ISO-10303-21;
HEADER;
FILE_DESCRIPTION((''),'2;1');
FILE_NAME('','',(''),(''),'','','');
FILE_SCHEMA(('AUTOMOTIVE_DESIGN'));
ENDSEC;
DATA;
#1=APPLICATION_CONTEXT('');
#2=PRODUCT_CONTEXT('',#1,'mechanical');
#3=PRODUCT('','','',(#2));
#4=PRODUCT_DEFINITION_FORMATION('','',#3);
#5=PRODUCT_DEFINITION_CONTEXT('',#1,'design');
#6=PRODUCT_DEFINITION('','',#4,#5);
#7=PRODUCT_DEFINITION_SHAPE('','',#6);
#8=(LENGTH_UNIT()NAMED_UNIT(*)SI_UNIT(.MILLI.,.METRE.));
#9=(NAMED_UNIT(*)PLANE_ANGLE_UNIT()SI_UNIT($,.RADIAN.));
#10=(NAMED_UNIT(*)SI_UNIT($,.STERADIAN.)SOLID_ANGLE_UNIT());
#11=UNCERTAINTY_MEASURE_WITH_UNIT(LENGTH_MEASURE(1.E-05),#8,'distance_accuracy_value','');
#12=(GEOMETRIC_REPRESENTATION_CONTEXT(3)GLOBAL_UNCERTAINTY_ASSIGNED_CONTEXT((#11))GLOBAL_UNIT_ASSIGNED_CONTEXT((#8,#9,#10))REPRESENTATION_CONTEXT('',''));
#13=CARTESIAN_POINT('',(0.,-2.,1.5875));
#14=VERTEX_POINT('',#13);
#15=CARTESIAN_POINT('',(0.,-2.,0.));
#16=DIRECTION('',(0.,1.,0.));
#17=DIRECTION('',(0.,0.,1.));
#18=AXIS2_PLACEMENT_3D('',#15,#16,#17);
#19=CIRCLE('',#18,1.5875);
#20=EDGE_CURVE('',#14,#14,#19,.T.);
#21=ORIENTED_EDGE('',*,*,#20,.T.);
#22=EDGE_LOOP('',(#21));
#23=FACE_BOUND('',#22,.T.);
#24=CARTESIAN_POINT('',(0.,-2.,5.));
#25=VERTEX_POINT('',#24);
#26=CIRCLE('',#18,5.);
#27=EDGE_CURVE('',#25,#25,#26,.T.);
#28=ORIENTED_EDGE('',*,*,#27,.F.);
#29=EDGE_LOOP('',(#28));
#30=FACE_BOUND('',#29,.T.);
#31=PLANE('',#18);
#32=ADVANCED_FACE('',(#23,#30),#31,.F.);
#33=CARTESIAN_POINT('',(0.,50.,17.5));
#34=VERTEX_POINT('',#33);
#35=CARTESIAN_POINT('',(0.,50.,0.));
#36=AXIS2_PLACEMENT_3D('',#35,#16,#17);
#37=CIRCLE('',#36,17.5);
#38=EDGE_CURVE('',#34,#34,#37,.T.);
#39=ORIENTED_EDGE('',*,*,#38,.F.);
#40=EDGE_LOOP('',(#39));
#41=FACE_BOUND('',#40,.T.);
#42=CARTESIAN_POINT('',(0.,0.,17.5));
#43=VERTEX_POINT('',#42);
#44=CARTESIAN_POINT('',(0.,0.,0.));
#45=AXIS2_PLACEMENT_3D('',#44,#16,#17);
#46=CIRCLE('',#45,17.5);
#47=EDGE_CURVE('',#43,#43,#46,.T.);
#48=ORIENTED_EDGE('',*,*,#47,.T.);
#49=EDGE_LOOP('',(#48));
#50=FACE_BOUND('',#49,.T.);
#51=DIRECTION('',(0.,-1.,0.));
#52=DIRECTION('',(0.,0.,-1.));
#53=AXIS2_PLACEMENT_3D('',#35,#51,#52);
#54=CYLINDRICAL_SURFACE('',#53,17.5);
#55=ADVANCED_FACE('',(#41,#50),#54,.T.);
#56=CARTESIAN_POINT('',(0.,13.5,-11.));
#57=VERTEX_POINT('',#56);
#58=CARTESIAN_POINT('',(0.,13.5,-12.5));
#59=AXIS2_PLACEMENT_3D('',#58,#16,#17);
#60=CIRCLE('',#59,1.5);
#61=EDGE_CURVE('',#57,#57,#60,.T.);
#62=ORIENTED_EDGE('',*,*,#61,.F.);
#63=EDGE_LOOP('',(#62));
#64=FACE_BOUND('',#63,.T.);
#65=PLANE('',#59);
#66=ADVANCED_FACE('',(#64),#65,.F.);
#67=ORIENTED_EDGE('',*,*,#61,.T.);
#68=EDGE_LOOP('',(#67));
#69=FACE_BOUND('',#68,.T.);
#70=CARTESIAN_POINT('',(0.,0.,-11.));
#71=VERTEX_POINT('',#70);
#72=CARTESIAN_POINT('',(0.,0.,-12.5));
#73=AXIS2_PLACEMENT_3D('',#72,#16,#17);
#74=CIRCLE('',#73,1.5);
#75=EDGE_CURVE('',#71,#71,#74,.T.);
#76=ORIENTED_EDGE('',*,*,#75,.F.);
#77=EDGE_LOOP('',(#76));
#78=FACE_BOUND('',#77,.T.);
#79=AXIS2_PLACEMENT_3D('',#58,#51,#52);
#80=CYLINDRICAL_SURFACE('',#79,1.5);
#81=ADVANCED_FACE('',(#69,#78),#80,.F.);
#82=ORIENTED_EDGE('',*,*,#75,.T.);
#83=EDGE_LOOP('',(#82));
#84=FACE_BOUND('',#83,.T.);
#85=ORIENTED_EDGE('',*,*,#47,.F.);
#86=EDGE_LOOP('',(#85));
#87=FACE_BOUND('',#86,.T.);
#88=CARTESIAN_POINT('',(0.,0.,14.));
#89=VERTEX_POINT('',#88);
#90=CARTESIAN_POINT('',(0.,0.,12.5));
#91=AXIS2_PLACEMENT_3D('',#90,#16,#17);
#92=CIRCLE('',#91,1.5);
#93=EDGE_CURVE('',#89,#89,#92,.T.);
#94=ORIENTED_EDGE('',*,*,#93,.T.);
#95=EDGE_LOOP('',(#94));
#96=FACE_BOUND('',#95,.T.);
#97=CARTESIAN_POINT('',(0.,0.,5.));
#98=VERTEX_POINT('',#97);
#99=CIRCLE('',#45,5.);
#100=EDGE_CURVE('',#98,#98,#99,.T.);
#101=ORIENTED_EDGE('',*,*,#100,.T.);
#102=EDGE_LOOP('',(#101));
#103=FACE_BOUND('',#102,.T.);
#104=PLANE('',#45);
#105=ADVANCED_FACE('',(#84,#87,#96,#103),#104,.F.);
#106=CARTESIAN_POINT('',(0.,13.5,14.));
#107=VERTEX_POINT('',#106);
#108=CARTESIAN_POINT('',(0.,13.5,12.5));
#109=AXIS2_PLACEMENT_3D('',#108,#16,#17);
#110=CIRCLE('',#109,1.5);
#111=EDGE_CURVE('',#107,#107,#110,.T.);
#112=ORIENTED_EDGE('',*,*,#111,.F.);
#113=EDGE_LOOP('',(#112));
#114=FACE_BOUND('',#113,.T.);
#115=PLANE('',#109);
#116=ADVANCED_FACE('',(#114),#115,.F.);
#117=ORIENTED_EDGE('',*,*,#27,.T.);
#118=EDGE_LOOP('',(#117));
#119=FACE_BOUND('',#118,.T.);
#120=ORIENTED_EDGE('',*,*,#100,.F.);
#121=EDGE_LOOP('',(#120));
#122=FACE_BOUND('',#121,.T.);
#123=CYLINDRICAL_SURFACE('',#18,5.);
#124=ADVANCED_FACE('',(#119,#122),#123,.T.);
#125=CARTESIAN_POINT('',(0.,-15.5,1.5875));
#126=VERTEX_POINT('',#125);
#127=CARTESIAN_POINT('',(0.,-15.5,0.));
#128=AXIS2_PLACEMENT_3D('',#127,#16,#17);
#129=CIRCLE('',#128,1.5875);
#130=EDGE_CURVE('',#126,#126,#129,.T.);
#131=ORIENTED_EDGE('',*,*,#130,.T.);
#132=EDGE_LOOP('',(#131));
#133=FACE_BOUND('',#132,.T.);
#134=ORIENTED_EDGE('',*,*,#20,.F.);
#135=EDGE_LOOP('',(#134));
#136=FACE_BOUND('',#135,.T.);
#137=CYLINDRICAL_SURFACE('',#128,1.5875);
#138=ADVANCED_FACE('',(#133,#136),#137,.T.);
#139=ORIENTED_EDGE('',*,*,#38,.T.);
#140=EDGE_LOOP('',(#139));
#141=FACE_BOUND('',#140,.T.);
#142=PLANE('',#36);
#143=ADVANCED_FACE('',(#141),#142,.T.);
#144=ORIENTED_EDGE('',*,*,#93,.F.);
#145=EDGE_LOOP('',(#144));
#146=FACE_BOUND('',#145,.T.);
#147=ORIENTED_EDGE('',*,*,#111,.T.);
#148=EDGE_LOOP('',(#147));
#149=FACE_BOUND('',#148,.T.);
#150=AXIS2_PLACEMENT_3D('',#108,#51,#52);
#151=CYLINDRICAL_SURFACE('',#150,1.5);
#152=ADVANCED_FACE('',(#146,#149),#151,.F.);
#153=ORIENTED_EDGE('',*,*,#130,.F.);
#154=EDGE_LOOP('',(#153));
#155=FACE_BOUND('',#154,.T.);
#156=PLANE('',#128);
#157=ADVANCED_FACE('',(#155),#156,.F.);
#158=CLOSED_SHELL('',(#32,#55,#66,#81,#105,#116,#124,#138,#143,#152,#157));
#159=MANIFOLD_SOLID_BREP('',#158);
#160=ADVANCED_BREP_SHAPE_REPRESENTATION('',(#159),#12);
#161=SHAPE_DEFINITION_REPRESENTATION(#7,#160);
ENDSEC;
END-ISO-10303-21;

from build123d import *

# Parameters (mm, degrees)
SKETCH1_R           = 17.5
BOSS_EXTRUDE1_DEPTH = 50
SKETCH1_3_R         = 5
BOSS_EXTRUDE2_DEPTH = 2
BOSS_EXTRUDE3_START = -2
SKETCH1_4_R         = 1.5875
BOSS_EXTRUDE3_DEPTH = 13.5
SKETCH1_5_R         = 1.5
CUT_EXTRUDE1_DEPTH  = 13.5


with BuildPart() as part:
    # Sketch1 → Boss-Extrude1 (new body)
    with BuildSketch(Plane(origin=(0, 0, 0), x_dir=(1, 0, 0), z_dir=(0, 1, 0))):
        with Locations(Location((0, 0, 0), (0, 0, 270))):
            Circle(SKETCH1_R)
    extrude(amount=BOSS_EXTRUDE1_DEPTH)

    # Sketch1<3> → Boss-Extrude2 (add)
    with BuildSketch(Plane(origin=(0, 0, 0), x_dir=(1, 0, 0), z_dir=(0, 1, 0))):
        with Locations(Location((0, 0, 0), (0, 0, 270))):
            Circle(SKETCH1_3_R)
    extrude(amount=-BOSS_EXTRUDE2_DEPTH)

    # Sketch1<4> → Boss-Extrude3 (add)
    with BuildSketch(Plane(origin=(0, 0, 0), x_dir=(1, 0, 0), z_dir=(0, 1, 0)).offset(BOSS_EXTRUDE3_START)):
        with Locations(Location((0, 0, 0), (0, 0, 270))):
            Circle(SKETCH1_4_R)
    extrude(amount=-BOSS_EXTRUDE3_DEPTH)

    # Sketch1<5> → Cut-Extrude1 (cut)
    with BuildSketch(Plane(origin=(0, 0, 0), x_dir=(1, 0, 0), z_dir=(0, 1, 0))):
        with Locations(Location((0, -12.5, 0), (0, 0, 270))):
            Circle(SKETCH1_5_R)
        with Locations(Location((0, 12.5, 0), (0, 0, 270))):
            Circle(SKETCH1_5_R)
    extrude(amount=CUT_EXTRUDE1_DEPTH, mode=Mode.SUBTRACT)


solid = part.part
